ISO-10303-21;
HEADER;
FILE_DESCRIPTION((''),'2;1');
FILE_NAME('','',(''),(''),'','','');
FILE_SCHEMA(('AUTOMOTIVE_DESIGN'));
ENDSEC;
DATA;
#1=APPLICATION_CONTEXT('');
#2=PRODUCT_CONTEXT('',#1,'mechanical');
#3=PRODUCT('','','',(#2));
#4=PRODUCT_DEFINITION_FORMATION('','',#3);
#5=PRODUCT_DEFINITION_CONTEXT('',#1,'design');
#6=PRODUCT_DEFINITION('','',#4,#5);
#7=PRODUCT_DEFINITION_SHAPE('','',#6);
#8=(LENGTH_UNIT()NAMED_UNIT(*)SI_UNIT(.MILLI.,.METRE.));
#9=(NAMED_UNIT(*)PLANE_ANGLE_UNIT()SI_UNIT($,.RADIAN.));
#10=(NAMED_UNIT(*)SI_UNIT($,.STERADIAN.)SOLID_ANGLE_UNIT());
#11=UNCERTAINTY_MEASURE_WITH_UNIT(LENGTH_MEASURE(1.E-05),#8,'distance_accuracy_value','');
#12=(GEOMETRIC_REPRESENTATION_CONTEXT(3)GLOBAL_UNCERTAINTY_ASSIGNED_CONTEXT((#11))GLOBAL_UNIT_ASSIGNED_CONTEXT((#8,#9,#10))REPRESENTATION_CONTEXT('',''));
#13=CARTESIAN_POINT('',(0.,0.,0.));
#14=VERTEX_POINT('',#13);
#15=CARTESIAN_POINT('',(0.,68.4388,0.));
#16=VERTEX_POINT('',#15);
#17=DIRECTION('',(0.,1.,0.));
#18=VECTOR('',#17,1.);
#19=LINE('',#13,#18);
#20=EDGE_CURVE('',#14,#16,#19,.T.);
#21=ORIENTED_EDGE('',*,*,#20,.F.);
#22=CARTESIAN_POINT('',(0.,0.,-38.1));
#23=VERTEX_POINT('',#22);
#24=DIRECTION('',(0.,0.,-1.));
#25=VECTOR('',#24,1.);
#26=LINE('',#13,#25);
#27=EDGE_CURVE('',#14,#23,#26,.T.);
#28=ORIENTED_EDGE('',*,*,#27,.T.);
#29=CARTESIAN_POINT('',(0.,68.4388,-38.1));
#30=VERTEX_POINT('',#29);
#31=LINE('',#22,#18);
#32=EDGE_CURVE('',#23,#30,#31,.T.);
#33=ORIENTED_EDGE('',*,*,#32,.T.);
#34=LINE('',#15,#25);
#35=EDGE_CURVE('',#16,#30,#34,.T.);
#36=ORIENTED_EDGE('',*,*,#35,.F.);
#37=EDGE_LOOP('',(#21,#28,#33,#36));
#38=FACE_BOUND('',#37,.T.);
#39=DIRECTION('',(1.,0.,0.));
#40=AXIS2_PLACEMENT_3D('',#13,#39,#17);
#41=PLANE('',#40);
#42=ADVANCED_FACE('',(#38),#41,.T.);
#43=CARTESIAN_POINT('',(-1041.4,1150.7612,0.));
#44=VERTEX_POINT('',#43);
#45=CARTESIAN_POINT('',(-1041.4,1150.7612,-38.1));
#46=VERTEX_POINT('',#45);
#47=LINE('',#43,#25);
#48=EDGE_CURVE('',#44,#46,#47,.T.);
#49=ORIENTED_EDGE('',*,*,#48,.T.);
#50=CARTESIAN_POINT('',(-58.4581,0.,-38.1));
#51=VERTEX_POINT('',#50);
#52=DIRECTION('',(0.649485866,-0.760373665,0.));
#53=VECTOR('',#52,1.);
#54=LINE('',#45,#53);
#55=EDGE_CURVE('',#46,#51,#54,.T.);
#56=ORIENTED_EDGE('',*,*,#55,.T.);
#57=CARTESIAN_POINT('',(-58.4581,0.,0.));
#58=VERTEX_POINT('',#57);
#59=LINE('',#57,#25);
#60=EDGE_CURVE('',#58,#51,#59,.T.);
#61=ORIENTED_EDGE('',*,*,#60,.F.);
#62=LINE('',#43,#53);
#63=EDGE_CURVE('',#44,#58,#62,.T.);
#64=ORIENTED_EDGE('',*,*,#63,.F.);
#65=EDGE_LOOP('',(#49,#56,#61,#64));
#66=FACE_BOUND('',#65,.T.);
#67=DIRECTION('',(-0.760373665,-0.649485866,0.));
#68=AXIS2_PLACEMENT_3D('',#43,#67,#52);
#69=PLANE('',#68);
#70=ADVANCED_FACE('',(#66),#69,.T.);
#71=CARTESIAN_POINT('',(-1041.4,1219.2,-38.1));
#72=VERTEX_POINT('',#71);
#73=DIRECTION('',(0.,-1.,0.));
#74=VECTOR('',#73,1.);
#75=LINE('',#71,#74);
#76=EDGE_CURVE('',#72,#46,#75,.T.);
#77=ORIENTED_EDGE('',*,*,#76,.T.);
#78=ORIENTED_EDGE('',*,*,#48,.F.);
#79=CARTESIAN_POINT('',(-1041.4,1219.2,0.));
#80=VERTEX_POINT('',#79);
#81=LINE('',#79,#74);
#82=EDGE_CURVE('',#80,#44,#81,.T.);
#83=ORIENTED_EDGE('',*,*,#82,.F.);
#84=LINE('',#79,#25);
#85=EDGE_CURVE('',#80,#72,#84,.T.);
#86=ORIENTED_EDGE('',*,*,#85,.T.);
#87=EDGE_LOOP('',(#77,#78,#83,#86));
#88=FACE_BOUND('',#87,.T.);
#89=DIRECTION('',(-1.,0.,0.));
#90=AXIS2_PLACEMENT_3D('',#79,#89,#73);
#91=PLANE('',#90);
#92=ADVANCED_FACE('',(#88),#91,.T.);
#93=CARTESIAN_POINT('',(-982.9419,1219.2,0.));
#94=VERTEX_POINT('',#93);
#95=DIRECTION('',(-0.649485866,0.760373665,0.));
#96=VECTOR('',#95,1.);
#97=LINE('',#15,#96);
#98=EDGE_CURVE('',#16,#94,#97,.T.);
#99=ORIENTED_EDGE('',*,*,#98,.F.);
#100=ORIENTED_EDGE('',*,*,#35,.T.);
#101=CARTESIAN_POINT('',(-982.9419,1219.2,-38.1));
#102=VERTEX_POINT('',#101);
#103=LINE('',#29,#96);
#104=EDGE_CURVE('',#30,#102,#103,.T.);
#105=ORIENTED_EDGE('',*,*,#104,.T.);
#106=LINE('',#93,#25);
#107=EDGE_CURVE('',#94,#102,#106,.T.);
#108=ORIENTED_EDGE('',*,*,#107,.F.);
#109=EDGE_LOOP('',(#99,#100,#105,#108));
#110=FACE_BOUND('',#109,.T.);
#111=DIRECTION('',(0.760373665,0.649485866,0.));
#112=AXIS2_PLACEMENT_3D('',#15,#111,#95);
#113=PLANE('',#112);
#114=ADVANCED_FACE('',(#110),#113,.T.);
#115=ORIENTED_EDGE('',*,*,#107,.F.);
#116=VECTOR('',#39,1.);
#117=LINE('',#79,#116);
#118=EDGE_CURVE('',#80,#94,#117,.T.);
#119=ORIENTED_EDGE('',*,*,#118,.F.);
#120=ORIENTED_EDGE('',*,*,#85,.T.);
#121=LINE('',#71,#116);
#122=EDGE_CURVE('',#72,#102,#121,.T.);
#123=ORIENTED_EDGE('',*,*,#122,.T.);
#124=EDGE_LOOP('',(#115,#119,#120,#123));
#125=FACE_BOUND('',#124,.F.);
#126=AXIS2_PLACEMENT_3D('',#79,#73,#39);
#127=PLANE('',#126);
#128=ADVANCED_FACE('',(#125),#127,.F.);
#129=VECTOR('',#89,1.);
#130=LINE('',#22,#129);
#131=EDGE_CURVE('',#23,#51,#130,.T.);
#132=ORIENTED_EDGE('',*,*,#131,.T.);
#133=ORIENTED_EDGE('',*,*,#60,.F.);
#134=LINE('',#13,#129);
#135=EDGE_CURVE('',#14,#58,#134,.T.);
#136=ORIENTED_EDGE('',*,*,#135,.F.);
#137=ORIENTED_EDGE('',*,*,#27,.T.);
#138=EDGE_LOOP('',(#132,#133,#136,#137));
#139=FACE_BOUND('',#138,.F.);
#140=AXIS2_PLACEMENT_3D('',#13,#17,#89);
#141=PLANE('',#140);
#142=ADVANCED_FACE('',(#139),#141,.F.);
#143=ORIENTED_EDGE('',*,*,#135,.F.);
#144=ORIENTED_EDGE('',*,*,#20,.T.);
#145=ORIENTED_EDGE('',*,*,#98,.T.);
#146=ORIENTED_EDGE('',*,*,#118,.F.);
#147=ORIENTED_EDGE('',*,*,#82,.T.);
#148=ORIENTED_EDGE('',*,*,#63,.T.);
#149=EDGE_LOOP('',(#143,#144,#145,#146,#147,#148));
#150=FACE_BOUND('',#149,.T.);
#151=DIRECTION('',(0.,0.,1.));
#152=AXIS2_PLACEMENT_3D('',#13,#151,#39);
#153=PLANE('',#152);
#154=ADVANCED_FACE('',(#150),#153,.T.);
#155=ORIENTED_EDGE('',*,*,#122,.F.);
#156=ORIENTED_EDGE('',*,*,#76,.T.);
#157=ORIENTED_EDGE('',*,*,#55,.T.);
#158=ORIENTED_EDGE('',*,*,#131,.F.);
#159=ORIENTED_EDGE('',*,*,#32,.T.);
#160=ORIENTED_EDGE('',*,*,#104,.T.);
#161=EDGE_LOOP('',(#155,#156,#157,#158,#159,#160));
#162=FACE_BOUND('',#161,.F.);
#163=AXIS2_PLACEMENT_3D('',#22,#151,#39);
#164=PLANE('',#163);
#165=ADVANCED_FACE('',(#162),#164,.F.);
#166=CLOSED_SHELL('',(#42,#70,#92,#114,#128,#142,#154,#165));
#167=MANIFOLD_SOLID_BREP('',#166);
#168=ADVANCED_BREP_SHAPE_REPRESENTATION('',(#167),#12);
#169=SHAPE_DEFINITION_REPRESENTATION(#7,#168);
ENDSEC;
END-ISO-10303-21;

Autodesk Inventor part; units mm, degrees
ref_plane "YZ Plane" through (0, 0, 0) normal (1, 0, 0) x (0, 1, 0)
ref_plane "XZ Plane" through (0, 0, 0) normal (0, 1, 0) x (-1, 0, 0)
ref_plane "XY Plane" through (0, 0, 0) normal (0, 0, 1) x (1, 0, 0)
sketch "Sketch1" plane through (0, 0, 0) normal (0, 0, 1) x (1, 0, 0)
  line L0 (-1041.4, 1219.2) -> (-1041.4, 0) projected
  line L1 (-1041.4, 1219.2) -> (0, 1219.2) projected
  line L2 (0, 0) -> (0, 1219.2) projected
  line L3 (0, 0) -> (-1041.4, 0) projected
  line L4 (0, 0) -> (0, 68.4388)
  line L5 (0, 68.4388) -> (-982.9419, 1219.2)
  line L6 (-982.9419, 1219.2) -> (-1041.4, 1219.2)
  line L7 (-1041.4, 1219.2) -> (-1041.4, 1150.7612)
  line L8 (-1041.4, 1150.7612) -> (-58.4581, 0)
  line L9 (-58.4581, 0) -> (0, 0)
extrude "Extrusion1" add sketch "Sketch1" against normal blind 38.1 contours L1 L5 L2 L3 L8 L0
properties part number "44x2x4"
